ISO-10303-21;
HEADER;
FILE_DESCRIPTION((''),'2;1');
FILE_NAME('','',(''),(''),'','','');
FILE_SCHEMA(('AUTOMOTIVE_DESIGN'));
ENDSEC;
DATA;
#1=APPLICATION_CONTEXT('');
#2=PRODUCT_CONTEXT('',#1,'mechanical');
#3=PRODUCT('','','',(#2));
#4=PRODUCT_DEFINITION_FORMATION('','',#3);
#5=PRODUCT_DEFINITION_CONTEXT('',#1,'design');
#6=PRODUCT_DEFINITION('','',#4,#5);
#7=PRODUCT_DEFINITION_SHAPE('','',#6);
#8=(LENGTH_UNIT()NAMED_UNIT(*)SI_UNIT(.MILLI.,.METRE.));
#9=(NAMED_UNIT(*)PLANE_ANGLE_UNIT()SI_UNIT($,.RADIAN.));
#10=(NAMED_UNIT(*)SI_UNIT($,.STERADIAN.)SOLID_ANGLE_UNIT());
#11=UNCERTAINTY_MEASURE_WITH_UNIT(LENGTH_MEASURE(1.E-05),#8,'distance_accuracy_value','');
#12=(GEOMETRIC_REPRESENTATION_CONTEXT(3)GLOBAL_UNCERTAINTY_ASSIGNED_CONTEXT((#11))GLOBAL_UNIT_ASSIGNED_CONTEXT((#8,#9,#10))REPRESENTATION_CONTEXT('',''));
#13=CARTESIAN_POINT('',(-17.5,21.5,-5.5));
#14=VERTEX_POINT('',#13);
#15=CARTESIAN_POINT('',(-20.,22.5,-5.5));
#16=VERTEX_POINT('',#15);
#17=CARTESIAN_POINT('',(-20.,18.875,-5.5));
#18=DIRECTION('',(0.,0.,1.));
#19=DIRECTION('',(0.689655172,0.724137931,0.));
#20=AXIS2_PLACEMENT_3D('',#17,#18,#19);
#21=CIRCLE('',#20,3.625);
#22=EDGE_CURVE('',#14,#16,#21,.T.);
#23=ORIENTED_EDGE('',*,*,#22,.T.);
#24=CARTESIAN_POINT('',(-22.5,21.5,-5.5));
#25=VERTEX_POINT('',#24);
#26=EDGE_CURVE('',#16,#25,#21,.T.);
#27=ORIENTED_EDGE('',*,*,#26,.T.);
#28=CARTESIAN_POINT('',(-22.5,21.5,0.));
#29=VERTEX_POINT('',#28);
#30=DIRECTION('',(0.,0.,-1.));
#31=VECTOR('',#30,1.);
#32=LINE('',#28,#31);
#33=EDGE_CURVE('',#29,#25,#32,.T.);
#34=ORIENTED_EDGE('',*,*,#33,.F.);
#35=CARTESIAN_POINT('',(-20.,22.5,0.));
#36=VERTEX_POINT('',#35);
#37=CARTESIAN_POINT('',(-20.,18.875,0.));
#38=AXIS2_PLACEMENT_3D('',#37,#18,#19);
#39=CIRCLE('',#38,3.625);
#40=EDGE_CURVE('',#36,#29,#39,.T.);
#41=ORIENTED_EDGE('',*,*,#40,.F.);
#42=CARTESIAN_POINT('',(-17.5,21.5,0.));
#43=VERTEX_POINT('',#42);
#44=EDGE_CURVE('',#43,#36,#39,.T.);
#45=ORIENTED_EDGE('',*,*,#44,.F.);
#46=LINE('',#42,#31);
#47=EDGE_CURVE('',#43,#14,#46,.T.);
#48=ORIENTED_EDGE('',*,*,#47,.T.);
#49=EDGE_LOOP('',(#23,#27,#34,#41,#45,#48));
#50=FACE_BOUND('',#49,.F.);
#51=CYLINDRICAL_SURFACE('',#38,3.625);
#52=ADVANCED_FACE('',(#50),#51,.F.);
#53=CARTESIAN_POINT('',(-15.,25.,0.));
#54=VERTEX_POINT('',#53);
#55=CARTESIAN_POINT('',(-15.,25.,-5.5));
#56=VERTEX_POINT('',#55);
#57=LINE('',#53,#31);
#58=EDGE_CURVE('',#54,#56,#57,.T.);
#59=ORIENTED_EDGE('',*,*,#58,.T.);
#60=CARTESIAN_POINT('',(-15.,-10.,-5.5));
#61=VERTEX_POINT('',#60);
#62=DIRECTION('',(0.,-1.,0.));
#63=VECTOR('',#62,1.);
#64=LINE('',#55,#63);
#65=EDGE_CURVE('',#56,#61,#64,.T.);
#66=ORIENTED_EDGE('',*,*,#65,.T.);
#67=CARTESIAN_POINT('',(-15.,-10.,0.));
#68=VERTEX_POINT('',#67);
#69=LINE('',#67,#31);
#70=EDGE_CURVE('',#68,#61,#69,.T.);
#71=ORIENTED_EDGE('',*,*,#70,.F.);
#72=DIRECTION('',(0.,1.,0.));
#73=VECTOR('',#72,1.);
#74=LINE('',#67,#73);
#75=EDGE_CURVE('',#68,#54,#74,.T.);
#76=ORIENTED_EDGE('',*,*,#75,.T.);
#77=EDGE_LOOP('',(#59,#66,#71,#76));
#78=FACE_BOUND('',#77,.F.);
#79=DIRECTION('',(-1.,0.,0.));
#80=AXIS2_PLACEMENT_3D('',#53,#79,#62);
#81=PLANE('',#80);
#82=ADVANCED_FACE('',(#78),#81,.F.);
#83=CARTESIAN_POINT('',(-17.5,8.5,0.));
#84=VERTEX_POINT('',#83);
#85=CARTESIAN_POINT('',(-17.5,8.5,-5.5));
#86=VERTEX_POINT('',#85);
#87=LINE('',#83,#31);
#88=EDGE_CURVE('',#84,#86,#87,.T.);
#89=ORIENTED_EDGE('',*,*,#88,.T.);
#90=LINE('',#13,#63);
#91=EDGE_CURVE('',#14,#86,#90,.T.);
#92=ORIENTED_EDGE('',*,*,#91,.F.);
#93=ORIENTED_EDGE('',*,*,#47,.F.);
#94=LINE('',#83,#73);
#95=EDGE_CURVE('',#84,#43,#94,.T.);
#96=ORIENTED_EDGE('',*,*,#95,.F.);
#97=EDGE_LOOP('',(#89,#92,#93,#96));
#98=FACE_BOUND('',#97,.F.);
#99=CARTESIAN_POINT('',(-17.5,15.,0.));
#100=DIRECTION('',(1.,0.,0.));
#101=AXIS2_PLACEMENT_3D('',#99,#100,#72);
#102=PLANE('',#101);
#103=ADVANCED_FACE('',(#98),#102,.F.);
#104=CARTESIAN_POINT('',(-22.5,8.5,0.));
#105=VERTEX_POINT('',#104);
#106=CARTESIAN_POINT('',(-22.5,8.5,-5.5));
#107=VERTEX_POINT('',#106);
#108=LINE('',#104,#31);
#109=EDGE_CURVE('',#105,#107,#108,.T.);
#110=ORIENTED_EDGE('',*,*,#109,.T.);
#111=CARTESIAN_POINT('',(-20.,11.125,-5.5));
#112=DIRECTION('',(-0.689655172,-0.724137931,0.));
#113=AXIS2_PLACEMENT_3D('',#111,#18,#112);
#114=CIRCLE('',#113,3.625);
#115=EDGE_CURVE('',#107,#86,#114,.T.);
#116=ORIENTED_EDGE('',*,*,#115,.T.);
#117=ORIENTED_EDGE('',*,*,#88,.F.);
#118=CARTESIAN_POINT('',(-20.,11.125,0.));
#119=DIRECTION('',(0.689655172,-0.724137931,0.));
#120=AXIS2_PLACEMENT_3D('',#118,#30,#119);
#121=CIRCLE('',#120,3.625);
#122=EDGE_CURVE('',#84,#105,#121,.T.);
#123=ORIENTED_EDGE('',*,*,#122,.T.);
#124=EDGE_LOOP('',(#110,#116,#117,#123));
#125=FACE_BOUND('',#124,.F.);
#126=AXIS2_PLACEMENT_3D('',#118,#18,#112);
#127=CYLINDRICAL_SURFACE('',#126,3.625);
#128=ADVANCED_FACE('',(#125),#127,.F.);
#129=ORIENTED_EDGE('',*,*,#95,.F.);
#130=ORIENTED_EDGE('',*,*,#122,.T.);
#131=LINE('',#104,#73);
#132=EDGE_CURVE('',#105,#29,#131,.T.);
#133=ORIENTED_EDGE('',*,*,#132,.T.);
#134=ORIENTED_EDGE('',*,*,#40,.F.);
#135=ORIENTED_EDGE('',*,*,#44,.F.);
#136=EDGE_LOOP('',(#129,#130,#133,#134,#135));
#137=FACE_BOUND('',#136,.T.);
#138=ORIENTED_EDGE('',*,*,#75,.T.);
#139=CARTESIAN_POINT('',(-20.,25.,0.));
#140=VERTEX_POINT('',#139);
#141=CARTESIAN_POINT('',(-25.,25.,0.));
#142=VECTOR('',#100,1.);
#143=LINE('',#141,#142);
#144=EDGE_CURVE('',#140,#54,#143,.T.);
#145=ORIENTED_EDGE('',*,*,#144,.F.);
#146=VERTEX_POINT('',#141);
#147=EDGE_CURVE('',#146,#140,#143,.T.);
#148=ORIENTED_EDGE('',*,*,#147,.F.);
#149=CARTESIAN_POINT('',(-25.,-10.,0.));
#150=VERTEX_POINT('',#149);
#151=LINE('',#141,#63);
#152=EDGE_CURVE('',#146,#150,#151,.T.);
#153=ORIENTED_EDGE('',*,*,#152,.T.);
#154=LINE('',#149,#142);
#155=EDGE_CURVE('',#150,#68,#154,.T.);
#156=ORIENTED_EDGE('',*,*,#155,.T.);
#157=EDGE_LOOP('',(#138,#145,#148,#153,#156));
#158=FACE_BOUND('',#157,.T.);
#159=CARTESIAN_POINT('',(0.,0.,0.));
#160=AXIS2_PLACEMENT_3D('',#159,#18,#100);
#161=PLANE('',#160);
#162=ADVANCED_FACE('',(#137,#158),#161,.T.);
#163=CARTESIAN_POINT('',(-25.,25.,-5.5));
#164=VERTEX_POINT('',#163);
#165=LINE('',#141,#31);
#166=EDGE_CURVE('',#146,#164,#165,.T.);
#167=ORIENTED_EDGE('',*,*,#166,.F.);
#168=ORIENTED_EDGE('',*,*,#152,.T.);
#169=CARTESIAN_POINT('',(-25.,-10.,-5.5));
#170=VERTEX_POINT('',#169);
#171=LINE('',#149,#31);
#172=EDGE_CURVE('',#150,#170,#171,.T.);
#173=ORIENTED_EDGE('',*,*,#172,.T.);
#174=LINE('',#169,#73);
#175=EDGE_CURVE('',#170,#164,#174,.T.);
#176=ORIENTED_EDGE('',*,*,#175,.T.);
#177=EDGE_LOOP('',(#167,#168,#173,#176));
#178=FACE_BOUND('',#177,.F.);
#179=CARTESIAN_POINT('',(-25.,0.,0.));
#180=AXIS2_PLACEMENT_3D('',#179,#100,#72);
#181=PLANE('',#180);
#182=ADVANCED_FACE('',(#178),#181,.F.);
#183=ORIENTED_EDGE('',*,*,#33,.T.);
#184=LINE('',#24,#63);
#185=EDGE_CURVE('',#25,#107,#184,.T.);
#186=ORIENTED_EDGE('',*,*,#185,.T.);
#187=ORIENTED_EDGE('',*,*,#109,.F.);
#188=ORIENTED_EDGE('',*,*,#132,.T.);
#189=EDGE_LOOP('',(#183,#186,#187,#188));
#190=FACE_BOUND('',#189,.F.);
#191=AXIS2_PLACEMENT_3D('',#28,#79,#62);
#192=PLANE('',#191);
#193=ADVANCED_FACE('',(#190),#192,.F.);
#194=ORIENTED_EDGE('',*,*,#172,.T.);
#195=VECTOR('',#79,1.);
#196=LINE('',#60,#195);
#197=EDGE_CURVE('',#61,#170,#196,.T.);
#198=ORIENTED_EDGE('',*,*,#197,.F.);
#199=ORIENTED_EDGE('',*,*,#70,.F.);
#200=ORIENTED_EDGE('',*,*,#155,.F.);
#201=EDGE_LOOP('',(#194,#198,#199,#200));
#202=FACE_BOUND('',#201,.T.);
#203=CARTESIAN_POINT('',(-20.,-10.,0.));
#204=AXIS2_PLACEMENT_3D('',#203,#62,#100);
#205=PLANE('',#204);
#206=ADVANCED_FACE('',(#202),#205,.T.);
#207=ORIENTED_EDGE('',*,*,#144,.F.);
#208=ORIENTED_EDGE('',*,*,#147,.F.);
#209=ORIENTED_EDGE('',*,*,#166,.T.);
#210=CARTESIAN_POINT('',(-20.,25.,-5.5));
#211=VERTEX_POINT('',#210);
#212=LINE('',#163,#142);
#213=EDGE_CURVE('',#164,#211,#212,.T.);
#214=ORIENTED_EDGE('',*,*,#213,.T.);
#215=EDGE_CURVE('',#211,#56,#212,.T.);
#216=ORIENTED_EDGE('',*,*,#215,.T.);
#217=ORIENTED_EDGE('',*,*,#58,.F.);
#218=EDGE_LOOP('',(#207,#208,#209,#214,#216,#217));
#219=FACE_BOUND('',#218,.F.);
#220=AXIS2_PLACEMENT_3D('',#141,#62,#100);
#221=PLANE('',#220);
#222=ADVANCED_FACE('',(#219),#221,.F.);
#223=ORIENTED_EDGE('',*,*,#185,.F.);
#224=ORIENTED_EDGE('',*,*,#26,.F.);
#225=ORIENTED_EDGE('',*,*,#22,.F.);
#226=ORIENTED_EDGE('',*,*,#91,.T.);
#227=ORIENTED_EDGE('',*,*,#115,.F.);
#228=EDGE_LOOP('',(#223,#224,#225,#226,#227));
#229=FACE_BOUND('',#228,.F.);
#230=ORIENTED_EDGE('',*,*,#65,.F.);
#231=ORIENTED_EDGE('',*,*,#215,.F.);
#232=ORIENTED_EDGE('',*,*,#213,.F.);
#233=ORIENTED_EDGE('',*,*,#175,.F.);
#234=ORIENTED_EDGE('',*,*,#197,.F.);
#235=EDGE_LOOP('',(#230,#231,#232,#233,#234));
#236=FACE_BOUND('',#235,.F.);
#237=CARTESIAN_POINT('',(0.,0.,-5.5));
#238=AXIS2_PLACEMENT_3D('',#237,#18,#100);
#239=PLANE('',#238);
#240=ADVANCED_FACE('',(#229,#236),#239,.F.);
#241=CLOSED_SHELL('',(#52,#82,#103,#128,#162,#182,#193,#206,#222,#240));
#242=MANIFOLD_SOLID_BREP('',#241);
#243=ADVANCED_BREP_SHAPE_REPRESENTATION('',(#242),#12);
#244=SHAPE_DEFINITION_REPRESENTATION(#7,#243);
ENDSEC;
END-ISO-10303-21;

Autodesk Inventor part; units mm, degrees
ref_plane "YZ Plane" through (0, 0, 0) normal (1, 0, 0) x (0, 1, 0)
ref_plane "XZ Plane" through (0, 0, 0) normal (0, 1, 0) x (-1, 0, 0)
ref_plane "XY Plane" through (0, 0, 0) normal (0, 0, 1) x (1, 0, 0)
sketch "Boceto1" plane through (0, 0, 0) normal (0, 0, 1) x (1, 0, 0)
  line L0 (-50, 0) -> (-50, -10)
  line L1 (-50, -10) -> (-45, -10)
  line L2 (-50, -10) -> (50, -10)
  line L3 (-45, -10) -> (-45, 0)
  line L4 (0, 0) -> (-50, 0)
  arc A0 (-45, 0) -> (-45, -10) centre (-45, -5) ccw
  line L5 (-50, -5) -> (-25, -5)
  line L6 (-25, -5) -> (-25, 25)
  line L7 (-25, 25) -> (-15, 25)
  line L8 (-15, 25) -> (-15, -5)
  line L9 (-15, -5) -> (-25, -5)
  line L10 (-20, 25) -> (-20, 5)
  line L11 (-22.5, 7.5) -> (-17.5, 7.5)
  line L12 (-17.5, 7.5) -> (-17.5, 22.5)
  line L13 (-17.5, 22.5) -> (-22.5, 22.5)
  line L14 (-22.5, 22.5) -> (-22.5, 7.5)
  line L15 (-22.5, 7.5) -> (-17.5, 22.5) construction
  line L16 (-17.5, 7.5) -> (-22.5, 22.5) construction
  line L17 (-22.5, 22.5) -> (-22.5, 21.5)
  line L18 (-22.5, 21.5) -> (-17.5, 21.5)
  line L19 (-22.5, 15) -> (-17.5, 15)
  arc A1 (-17.5, 21.5) -> (-22.5, 21.5) centre (-20, 18.875) ccw
  arc A2 (-22.5, 8.5) -> (-17.5, 8.5) centre (-20, 11.125) ccw
  line L20 (-25, -5) -> (-20, -5)
  line L21 (-20, -5) -> (-20, -10)
  line L22 (-20, -10) -> (-25, -10)
  line L23 (-25, -10) -> (-25, -5)
  line L24 (-25, 0) -> (-15, 0)
  line L25 (-15, -5) -> (-15, -10)
  point P0 (0, -10)
  point P1 (-20, 15)
  point P2 (-50, -5)
  point P3 (-20, 22.5)
  point P4 (-20, 7.5)
  point P5 (-22.5, 8.5)
  point P6 (-17.5, 8.5)
  point P7 (-20, -5)
  point P8 (-17.5, 8.5)
  point P9 (-22.5, 8.5)
  dimension "d0" = 5
  dimension "d1" = 25
  dimension "d2" = 30
  dimension "d3" = 10
  dimension "d4" = 20
  dimension "d5" = 5
  dimension "d6" = 15
  dimension "d7" = 1
extrude "Extrusión1" add sketch "Boceto1" against normal blind 5.5 contours L13 L12 A1 | A1 L14 L13 | L6 L7 L8 L4 | L4 L8 L9 L6 | L23 L9 L21 L2 | L21 L9 L25 L2 | A2 L12 L11 | L11 L14 A2
properties part number "PiezaAux"
